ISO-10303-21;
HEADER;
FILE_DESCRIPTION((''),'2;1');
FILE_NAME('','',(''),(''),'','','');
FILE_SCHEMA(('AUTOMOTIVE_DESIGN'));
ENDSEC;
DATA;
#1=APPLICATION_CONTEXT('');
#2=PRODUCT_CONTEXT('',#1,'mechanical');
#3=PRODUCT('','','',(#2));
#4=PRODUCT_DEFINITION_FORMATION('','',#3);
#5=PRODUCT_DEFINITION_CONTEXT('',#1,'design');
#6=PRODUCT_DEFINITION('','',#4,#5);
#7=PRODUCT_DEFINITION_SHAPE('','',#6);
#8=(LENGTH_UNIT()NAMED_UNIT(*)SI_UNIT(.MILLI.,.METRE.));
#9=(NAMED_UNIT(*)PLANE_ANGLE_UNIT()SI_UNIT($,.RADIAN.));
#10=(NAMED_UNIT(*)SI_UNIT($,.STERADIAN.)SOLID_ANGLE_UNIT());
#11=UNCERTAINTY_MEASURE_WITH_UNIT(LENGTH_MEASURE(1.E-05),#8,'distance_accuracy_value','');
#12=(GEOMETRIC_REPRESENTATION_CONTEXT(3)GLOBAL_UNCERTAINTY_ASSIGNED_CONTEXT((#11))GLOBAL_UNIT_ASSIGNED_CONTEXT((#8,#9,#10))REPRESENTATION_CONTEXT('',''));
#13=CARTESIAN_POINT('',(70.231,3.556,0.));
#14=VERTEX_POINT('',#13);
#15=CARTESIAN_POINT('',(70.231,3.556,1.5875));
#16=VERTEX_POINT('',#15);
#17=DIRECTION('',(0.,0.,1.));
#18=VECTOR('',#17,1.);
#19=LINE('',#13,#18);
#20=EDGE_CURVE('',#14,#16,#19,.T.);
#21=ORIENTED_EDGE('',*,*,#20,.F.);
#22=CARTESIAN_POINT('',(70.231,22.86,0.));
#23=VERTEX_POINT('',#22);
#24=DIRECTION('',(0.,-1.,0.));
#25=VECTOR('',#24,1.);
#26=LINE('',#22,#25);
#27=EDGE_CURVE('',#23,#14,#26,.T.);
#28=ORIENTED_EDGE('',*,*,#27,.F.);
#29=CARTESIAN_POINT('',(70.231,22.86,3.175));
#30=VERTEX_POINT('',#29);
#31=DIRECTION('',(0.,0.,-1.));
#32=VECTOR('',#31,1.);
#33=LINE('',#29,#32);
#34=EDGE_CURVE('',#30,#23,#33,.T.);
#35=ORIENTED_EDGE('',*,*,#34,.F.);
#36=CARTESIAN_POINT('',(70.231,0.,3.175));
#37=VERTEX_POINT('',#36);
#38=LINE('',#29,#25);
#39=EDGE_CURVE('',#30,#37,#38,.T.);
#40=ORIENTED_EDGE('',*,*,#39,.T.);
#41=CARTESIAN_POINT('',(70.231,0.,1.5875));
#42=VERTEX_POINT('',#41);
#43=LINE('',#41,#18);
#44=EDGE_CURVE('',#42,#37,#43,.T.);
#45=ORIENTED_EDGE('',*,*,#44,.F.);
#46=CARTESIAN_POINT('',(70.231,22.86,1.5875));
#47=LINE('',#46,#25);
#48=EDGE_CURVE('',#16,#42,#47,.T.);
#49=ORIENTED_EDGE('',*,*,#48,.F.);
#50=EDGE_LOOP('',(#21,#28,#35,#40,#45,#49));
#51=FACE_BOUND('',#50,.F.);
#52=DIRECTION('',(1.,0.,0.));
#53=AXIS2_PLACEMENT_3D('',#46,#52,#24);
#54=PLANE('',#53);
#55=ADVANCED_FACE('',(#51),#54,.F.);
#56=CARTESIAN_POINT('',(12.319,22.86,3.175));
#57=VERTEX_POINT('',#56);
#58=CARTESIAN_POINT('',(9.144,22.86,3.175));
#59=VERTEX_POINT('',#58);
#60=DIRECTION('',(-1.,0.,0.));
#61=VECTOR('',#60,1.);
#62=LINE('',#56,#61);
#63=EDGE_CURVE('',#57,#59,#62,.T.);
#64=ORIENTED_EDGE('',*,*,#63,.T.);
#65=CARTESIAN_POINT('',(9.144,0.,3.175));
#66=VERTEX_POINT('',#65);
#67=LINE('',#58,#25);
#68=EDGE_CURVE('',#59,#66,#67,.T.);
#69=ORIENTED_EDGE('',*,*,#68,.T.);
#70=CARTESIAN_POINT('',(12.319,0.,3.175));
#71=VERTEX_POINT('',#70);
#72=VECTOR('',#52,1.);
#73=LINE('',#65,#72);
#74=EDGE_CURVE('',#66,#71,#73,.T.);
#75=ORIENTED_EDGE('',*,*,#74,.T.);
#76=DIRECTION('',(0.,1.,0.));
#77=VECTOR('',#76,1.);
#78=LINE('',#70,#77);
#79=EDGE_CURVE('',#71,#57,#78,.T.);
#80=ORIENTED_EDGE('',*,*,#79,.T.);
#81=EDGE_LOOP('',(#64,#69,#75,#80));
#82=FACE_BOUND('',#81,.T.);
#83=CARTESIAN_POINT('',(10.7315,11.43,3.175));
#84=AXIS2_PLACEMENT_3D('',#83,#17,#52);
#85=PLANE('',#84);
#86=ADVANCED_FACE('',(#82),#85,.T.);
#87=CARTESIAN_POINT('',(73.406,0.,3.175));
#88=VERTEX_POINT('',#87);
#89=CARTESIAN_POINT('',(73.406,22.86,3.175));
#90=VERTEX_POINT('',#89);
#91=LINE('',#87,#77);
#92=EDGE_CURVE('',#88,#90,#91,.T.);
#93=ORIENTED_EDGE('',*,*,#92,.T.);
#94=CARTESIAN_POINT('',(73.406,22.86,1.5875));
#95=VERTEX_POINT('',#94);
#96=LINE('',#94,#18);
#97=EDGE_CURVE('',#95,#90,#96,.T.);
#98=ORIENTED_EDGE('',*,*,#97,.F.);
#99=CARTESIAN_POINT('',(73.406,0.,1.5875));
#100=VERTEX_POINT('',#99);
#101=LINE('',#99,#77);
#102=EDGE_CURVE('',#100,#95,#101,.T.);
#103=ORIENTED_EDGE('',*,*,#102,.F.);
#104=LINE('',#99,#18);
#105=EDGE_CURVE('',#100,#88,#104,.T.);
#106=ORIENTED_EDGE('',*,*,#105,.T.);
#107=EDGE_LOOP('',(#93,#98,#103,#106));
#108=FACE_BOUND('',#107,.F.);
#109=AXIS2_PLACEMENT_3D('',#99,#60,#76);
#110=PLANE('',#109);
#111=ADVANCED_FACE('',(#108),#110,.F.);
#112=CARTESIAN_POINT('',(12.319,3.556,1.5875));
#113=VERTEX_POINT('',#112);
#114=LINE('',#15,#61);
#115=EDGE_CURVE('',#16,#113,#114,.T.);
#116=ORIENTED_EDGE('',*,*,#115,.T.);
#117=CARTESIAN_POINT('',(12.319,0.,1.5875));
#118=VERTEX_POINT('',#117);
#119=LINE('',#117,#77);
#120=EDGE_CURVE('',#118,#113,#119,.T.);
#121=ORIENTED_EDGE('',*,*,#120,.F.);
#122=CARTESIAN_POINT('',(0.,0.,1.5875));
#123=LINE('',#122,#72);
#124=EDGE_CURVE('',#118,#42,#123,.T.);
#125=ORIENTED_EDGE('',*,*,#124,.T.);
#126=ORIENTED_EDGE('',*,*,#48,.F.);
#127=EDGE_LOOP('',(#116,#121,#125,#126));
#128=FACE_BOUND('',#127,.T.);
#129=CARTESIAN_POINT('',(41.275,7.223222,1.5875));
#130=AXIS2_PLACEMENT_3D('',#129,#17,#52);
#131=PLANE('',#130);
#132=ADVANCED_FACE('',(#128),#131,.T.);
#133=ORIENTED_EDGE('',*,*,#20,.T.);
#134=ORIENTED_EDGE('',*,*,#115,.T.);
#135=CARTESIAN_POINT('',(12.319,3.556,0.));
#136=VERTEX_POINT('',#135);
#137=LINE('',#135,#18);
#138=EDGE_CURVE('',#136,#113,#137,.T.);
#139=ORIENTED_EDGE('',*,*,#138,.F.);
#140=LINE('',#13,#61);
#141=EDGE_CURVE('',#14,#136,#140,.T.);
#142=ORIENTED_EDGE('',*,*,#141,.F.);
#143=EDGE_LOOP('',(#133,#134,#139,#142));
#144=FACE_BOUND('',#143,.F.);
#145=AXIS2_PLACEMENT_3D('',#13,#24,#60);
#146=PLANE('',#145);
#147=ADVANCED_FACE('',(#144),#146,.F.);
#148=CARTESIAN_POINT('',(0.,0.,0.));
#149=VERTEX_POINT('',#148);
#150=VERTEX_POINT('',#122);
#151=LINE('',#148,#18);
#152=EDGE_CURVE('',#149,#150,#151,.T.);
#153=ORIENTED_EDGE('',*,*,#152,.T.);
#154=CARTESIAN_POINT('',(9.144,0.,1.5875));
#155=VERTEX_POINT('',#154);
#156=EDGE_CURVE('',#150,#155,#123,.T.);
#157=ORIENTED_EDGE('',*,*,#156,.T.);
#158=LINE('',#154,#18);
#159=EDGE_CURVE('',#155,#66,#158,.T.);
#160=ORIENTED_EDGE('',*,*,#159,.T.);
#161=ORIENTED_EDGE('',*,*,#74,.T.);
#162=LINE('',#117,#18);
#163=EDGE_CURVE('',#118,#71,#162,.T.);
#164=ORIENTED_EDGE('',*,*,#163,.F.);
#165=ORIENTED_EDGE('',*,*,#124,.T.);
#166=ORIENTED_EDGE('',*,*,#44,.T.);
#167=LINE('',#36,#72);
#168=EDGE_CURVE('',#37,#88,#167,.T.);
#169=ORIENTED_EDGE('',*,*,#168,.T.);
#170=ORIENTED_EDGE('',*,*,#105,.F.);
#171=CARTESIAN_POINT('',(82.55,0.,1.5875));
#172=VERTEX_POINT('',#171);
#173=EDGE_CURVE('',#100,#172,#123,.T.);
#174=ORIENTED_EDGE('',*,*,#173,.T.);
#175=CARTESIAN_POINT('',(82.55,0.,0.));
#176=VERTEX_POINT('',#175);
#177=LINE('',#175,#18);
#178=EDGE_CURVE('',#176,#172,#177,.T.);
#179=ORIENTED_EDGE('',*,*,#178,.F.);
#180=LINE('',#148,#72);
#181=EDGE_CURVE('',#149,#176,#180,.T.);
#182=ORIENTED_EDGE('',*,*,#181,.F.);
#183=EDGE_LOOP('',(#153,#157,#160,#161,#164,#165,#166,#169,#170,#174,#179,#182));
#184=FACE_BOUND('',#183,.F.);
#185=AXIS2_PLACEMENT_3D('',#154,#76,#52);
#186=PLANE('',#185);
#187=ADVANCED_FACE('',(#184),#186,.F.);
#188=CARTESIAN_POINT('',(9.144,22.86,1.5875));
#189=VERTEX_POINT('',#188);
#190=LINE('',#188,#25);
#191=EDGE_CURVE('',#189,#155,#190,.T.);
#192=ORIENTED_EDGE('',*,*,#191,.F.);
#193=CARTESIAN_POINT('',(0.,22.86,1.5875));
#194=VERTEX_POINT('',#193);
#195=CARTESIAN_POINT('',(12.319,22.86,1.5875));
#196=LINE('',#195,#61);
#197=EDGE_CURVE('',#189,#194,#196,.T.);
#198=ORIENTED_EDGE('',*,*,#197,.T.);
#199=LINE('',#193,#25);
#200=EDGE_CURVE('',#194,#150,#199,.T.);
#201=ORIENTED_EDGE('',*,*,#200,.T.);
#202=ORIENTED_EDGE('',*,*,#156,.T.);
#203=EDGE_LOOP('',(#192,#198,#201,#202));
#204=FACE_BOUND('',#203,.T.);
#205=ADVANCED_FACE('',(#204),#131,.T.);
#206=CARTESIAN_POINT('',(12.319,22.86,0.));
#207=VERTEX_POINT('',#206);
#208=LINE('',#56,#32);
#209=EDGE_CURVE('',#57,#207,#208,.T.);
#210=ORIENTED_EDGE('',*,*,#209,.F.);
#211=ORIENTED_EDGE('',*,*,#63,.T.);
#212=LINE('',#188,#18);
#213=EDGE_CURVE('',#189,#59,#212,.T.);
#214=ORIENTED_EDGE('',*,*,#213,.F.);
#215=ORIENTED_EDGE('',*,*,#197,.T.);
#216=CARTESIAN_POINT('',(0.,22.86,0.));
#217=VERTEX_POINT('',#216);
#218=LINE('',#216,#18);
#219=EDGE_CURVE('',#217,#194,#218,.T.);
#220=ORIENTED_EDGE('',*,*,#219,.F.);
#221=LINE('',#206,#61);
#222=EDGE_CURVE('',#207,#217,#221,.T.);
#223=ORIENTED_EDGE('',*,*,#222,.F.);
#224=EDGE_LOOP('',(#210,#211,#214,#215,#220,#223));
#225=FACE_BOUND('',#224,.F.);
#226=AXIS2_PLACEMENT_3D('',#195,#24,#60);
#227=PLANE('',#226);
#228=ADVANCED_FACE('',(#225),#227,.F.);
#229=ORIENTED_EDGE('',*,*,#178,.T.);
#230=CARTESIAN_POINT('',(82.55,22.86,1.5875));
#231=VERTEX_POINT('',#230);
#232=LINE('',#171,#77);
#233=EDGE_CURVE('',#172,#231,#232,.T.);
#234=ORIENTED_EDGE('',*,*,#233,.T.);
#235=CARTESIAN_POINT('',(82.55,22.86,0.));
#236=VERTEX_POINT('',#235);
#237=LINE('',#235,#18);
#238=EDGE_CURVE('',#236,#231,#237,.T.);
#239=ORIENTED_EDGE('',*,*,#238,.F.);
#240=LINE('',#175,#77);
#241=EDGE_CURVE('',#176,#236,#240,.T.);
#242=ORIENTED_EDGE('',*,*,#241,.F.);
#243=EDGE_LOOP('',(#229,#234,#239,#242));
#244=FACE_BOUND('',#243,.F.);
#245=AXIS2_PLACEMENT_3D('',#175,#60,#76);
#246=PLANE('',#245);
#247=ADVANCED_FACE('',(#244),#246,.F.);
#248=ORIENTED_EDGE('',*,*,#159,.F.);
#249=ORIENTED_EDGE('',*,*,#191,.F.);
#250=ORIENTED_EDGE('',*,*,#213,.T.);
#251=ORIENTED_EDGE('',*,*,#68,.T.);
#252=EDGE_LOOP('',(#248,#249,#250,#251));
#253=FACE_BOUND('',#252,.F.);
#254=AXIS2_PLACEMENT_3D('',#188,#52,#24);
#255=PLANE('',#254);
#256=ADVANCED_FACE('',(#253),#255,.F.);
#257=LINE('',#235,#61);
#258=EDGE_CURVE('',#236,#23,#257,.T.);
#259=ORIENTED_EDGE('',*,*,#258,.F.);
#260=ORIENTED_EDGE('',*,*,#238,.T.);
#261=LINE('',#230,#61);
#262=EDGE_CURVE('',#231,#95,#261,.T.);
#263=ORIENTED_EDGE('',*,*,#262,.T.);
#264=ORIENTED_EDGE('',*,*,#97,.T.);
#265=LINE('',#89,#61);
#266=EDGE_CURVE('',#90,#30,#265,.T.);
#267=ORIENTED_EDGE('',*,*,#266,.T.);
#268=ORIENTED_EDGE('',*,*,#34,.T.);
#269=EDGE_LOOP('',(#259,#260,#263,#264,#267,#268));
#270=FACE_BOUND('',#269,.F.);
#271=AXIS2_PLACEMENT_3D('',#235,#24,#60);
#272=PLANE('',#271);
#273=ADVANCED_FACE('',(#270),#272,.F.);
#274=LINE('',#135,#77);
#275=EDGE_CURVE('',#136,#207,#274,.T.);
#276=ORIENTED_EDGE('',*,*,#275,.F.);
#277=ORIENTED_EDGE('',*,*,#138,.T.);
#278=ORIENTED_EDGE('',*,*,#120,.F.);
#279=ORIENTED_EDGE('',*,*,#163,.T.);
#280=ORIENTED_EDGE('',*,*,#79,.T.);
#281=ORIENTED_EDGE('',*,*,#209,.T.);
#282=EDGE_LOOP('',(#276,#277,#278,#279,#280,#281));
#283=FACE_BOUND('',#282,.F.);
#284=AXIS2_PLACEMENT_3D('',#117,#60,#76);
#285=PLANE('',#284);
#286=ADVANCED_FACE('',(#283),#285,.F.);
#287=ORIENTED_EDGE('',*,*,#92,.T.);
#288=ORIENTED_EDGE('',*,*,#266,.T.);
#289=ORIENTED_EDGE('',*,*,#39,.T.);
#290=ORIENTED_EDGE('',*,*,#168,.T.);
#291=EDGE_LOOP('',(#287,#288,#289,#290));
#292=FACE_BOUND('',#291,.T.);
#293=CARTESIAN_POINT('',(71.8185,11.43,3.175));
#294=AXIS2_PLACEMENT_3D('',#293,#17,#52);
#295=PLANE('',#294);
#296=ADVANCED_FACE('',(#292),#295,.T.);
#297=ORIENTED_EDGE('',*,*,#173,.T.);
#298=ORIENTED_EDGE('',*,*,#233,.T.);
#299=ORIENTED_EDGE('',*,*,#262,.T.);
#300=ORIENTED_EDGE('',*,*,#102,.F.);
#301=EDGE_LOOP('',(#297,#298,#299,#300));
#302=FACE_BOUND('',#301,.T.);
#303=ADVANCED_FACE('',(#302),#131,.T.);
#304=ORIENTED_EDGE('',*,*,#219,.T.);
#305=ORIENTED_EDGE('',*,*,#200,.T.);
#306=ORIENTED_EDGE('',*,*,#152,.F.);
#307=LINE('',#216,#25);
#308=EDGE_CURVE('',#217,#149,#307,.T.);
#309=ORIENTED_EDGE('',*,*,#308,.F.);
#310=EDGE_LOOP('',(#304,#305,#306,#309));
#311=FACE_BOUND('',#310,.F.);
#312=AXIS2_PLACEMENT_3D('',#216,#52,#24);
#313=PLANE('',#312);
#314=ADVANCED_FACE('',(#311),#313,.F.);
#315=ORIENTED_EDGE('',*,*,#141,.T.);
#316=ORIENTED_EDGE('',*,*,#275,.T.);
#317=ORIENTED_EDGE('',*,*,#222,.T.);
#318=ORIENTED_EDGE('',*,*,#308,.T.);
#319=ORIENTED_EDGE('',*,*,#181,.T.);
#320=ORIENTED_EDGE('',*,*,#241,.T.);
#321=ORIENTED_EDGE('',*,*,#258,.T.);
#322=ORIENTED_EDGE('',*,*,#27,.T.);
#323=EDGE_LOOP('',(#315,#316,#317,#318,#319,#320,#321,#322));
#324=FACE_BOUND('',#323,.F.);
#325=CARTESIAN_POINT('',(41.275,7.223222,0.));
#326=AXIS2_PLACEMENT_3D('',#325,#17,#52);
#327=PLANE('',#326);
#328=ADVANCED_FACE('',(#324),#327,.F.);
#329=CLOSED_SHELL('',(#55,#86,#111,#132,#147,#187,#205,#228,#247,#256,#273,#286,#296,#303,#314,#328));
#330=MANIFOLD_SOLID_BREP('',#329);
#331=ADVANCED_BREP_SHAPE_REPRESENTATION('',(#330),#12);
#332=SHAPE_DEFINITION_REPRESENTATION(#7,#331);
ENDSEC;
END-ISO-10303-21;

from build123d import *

# Parameters (mm, degrees)
F1_DEPTH = 1.5875
F3_DEPTH = 1.5875


with BuildPart() as f1:
    # F0 (on Top) → F1 (new body)
    with BuildSketch(Plane.XY):
        Polygon((0, 22.86), (0, 0), (12.319, 0), (70.231, 0), (82.55, 0), (82.55, 22.86), (70.231, 22.86), (70.231, 3.556), (12.319, 3.556), (12.319, 22.86), align=None)
    extrude(amount=F1_DEPTH)

    # F2 (on face) → F3 (join)
    with BuildSketch(Plane.XY.offset(1.5875)):
        Polygon((12.319, 3.556), (12.319, 22.86), (9.144, 22.86), (9.144, 0), (12.319, 0), align=None)
        Polygon((70.231, 22.86), (70.231, 3.556), (70.231, 0), (73.406, 0), (73.406, 22.86), align=None)
    extrude(amount=F3_DEPTH)


solid = f1.part
